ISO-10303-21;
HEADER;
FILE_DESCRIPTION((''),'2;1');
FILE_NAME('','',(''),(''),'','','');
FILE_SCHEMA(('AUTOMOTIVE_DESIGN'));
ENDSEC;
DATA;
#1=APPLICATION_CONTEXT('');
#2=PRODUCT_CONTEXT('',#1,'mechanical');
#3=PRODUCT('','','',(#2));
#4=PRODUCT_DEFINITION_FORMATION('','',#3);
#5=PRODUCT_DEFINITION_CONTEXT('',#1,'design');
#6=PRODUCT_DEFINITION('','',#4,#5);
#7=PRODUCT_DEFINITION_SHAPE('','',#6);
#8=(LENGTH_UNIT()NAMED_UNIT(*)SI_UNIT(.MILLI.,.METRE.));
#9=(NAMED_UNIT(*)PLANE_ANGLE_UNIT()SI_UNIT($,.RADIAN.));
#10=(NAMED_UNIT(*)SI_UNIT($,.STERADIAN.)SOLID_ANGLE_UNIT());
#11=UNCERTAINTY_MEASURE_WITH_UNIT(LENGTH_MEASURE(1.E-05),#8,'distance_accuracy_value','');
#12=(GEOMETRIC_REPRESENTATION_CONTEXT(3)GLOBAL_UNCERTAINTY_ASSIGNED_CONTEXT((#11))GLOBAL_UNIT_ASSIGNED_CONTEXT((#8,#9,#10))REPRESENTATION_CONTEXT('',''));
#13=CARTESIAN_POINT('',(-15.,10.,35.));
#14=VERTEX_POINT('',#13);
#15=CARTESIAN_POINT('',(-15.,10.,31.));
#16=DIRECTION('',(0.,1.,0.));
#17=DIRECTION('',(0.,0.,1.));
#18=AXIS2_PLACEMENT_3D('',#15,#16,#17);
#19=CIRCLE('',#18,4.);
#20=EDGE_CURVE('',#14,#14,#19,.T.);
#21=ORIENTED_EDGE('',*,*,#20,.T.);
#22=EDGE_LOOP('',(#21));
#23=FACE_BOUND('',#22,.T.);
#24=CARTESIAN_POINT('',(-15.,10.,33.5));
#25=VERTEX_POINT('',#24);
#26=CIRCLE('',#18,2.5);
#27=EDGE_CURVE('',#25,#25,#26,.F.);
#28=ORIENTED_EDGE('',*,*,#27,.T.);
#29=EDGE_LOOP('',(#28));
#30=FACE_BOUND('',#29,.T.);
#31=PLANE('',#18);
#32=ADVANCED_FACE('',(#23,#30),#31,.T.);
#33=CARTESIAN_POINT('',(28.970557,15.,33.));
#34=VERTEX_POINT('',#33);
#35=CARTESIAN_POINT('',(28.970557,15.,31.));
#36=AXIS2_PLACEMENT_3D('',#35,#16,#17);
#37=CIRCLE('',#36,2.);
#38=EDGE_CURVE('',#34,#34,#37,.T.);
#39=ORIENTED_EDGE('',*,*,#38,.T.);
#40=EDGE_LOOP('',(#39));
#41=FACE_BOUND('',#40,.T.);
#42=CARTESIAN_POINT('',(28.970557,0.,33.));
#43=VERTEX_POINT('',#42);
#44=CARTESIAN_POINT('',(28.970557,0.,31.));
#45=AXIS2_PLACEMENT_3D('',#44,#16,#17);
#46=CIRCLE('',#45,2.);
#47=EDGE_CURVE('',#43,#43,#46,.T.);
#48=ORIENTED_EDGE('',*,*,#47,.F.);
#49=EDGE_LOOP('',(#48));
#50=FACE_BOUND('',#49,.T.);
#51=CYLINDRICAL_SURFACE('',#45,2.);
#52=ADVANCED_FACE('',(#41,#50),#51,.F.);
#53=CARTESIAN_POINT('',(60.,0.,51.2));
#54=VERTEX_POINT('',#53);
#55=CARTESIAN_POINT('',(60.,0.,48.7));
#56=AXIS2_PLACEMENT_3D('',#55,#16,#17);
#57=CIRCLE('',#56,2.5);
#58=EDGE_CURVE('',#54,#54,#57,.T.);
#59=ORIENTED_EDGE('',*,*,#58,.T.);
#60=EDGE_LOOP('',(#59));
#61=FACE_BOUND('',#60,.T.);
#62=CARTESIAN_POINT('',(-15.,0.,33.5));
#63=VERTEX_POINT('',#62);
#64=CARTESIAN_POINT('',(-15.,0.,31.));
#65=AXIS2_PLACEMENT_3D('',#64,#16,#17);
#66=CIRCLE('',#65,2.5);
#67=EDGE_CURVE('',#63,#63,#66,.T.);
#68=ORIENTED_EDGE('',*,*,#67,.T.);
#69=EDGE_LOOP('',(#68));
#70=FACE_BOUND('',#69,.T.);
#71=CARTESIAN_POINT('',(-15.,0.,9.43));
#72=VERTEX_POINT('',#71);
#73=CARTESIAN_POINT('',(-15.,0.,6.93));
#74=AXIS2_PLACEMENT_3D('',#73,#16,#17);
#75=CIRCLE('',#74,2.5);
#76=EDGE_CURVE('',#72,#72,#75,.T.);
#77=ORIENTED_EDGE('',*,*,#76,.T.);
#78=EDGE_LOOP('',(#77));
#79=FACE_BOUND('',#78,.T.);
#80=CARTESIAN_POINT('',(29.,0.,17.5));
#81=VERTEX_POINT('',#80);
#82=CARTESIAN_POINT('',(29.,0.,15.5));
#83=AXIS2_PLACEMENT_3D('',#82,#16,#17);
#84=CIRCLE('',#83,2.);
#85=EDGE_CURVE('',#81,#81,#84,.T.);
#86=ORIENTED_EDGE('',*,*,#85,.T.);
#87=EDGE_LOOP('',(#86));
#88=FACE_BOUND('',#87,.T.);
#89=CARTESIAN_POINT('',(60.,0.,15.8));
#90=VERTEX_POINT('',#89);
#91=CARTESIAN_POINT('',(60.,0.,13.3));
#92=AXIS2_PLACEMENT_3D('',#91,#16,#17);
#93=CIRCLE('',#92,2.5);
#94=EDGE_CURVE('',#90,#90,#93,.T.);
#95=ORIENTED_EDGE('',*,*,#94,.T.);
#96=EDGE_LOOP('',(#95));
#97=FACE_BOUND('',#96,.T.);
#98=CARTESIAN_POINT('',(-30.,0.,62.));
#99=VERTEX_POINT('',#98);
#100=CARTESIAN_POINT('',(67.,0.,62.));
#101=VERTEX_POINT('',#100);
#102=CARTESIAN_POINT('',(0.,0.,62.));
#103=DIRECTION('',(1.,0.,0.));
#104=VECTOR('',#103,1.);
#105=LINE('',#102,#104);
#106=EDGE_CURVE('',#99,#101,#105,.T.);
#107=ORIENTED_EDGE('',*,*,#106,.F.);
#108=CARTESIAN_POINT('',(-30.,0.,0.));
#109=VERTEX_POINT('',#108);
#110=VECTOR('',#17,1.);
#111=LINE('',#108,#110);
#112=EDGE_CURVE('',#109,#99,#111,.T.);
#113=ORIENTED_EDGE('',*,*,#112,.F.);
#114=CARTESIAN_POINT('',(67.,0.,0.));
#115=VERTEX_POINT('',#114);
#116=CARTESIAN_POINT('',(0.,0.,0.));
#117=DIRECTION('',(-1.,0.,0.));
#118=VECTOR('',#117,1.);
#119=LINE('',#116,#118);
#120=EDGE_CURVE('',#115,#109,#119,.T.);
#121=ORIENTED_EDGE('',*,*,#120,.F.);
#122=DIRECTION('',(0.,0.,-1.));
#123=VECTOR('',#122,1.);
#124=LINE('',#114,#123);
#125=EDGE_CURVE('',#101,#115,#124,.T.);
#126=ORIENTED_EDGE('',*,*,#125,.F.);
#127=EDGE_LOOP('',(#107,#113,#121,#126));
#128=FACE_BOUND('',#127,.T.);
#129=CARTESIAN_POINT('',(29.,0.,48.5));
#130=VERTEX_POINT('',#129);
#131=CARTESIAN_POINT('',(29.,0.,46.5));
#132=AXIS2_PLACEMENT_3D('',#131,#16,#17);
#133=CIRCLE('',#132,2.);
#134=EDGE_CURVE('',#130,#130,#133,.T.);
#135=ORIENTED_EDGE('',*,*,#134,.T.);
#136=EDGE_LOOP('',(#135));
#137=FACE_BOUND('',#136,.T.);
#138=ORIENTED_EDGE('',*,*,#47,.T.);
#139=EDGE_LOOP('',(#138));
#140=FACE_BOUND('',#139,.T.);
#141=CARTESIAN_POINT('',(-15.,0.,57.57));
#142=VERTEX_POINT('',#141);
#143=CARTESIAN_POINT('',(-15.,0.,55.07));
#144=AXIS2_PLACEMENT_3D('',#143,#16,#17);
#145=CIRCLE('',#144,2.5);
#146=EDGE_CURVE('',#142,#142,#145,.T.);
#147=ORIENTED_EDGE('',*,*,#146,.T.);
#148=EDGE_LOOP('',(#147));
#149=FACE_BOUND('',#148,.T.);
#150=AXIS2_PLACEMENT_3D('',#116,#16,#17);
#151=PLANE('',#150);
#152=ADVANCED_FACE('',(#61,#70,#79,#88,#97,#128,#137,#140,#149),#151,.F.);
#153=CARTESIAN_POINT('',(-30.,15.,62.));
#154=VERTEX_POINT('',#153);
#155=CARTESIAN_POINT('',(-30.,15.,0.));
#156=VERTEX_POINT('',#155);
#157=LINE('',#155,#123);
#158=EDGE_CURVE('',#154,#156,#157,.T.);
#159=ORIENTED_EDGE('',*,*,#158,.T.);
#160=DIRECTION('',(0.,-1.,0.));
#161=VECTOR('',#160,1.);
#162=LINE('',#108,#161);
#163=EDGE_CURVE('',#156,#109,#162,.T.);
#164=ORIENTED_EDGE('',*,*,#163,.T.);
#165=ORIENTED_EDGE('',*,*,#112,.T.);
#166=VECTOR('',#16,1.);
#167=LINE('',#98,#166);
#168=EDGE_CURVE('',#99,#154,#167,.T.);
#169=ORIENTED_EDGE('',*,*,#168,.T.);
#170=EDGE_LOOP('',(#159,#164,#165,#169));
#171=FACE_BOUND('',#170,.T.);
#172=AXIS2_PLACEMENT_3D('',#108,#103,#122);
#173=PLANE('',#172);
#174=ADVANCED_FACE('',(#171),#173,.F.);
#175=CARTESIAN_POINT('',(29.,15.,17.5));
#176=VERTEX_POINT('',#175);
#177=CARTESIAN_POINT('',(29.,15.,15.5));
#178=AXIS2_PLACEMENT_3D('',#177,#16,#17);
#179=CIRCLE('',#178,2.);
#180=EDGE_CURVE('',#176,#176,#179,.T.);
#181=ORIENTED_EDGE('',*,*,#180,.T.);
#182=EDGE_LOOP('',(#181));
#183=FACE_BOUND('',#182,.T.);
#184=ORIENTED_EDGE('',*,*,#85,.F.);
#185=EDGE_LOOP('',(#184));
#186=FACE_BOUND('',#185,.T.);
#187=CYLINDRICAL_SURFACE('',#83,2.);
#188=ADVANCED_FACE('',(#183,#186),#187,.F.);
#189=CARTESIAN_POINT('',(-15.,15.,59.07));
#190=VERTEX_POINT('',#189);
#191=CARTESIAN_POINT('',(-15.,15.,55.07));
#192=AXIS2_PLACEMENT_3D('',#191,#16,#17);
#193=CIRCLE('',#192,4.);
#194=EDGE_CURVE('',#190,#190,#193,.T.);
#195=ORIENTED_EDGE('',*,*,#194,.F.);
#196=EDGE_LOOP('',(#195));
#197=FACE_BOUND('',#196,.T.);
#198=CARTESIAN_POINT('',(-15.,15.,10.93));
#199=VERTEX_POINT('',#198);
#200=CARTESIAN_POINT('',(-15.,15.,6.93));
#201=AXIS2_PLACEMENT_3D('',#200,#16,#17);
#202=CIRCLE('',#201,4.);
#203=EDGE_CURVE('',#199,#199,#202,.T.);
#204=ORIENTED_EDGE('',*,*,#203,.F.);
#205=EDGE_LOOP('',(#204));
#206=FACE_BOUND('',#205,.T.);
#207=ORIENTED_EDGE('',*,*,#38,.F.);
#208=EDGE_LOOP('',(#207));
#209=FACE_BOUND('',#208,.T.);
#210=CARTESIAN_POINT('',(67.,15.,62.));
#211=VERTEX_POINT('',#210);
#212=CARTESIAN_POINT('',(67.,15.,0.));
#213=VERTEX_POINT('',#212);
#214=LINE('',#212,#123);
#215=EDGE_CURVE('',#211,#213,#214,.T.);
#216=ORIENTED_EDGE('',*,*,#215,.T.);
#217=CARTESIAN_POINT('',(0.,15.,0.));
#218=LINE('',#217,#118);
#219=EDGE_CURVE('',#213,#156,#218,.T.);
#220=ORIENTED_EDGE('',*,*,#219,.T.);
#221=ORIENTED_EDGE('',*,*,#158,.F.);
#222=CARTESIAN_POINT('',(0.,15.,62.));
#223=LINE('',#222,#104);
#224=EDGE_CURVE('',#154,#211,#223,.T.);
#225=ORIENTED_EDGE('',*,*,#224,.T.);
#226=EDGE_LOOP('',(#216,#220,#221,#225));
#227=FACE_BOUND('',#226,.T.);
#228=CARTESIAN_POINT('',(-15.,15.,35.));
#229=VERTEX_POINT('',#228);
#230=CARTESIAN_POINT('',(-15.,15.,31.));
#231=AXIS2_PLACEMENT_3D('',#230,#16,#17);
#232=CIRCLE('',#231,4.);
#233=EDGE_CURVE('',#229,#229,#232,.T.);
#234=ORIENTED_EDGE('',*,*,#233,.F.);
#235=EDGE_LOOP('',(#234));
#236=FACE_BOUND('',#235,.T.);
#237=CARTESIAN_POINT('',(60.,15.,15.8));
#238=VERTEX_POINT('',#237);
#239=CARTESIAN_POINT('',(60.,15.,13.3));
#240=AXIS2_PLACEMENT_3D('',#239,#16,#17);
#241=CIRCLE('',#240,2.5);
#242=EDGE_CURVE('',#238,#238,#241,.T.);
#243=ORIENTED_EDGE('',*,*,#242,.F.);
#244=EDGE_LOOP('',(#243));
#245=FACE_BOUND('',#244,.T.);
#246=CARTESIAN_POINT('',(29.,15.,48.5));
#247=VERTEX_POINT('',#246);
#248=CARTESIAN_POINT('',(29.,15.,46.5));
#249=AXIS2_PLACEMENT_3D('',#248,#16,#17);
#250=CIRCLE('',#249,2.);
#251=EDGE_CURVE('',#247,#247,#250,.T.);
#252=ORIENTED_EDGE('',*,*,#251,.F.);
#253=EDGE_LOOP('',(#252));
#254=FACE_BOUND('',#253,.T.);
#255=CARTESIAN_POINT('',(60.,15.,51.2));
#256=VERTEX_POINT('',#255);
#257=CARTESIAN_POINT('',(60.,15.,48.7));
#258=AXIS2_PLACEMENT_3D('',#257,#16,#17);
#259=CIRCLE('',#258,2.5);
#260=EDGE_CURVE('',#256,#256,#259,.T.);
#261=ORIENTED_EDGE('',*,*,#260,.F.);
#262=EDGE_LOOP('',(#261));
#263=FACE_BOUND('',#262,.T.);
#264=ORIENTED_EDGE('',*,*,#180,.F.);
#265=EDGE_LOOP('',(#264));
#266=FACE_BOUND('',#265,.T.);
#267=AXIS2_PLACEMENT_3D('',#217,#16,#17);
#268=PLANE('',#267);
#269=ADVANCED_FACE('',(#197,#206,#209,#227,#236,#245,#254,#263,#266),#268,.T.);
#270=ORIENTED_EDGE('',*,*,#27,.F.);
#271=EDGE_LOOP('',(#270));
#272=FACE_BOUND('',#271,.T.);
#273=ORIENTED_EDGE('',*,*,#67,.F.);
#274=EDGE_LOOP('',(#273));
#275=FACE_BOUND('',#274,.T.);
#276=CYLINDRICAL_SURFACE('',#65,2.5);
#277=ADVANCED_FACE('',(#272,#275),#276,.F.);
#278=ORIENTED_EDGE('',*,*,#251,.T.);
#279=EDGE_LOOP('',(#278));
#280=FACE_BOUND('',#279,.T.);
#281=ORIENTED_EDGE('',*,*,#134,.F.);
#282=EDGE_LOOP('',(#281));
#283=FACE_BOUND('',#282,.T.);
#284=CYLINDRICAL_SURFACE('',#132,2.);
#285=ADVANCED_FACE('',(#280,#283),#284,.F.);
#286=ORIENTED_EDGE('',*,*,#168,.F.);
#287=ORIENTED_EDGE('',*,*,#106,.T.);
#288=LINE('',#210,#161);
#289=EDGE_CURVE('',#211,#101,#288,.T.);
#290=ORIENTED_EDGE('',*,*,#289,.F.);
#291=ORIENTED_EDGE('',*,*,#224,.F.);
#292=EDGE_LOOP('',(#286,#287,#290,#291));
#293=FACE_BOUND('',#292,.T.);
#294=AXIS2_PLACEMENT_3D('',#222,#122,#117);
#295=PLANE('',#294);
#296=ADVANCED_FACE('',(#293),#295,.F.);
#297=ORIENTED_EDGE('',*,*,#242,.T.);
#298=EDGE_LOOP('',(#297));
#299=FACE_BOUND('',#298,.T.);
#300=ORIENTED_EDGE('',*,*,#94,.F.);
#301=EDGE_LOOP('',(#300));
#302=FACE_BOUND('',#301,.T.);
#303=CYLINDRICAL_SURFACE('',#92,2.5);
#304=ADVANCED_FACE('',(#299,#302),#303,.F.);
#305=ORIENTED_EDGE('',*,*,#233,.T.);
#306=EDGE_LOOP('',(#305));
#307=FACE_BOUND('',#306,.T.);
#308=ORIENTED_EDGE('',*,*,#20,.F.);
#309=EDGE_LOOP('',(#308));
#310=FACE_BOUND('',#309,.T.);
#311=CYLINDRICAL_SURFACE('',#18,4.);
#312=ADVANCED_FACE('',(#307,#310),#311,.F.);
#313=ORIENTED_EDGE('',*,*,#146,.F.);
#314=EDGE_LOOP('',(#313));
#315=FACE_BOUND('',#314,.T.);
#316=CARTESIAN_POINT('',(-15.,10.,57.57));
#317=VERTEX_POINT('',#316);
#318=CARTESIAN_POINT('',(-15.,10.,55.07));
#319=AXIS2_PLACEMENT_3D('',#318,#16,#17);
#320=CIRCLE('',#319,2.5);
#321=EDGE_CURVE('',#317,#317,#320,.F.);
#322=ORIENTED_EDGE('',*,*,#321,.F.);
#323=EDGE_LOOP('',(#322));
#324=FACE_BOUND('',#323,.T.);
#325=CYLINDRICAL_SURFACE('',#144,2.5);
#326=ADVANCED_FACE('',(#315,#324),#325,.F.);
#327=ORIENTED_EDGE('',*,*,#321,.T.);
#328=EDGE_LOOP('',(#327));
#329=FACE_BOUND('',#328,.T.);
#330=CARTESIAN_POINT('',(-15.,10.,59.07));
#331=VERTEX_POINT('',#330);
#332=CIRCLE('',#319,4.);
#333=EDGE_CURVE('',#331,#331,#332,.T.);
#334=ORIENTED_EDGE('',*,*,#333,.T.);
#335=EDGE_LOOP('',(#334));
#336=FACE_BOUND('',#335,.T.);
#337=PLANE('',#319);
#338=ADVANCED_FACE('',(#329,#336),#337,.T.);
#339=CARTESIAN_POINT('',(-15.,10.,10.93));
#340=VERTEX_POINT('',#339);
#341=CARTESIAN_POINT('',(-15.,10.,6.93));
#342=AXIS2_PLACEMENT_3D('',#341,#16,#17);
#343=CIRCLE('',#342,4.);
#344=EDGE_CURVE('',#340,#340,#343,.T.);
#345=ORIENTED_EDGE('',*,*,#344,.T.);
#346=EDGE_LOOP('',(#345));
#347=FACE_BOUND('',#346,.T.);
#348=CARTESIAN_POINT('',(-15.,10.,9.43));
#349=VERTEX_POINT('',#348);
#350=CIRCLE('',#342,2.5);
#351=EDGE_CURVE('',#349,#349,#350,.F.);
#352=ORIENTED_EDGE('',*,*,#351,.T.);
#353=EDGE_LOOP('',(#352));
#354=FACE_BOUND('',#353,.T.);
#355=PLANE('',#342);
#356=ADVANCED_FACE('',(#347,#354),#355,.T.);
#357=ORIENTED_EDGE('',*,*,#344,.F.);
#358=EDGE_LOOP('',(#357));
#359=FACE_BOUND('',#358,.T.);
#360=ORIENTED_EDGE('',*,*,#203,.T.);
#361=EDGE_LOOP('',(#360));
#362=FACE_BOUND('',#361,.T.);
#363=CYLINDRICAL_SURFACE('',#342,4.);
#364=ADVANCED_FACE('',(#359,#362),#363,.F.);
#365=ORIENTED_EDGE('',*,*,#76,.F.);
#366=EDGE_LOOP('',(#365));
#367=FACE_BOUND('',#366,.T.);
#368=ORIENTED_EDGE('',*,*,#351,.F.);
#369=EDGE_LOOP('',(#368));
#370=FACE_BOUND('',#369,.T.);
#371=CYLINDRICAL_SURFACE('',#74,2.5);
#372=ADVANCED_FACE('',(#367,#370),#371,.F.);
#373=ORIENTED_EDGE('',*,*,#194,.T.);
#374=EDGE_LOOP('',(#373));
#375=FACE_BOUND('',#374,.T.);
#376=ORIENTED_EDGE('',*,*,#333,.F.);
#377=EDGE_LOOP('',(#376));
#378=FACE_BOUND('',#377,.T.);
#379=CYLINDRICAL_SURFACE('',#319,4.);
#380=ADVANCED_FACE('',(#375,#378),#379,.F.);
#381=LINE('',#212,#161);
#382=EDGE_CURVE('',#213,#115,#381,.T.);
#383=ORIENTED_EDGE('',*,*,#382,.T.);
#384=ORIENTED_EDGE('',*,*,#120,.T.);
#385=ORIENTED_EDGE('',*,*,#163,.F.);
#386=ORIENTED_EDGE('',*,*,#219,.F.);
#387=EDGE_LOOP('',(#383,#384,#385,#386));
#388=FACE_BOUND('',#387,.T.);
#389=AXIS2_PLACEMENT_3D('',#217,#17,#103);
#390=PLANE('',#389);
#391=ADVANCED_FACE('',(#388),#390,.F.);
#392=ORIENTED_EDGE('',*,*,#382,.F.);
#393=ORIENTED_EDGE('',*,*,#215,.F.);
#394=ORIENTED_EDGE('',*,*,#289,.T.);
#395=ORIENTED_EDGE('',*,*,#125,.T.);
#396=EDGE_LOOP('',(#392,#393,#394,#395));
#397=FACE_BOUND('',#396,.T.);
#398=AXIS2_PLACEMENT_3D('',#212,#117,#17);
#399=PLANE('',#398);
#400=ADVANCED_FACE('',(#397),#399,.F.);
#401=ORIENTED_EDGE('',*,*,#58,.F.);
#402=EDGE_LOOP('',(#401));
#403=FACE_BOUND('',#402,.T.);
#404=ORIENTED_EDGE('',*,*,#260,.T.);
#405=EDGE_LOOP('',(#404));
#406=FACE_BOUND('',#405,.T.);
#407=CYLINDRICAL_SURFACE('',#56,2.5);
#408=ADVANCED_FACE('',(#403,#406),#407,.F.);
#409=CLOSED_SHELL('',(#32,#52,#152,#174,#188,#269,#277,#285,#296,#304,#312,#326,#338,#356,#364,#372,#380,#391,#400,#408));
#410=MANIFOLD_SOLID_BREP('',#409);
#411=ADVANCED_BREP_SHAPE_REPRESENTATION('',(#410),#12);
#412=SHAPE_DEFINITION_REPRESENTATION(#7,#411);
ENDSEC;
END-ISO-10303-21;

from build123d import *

# Parameters (mm, degrees)
ESBO_O1_W                = 67
ESBO_O1_H                = 62
RESSALTO_EXTRUS_O1_DEPTH = 15
ESBO_O2_R                = 2.5
ESBO_O2_R_2              = 2
CORTE_EXTRUS_O1_DEPTH    = 93.509458976
ESBO_O3_W                = 62
ESBO_O3_H                = 15
RESSALTO_EXTRUS_O2_DEPTH = 30
ESBO_O4_R                = 2.5
CORTE_EXTRUS_O2_DEPTH    = 93.509458976
ESBO_O5_R                = 4
CORTE_EXTRUS_O3_DEPTH    = 5


with BuildPart() as part:
    # Esboço1 → Ressalto-extrusão1 (new body)
    with BuildSketch(Plane(origin=(0, 0, 0), x_dir=(1, 0, 0), z_dir=(0, 1, 0))):
        with Locations((33.5, -31)):
            Rectangle(ESBO_O1_W, ESBO_O1_H)
    extrude(amount=RESSALTO_EXTRUS_O1_DEPTH)

    # Esboço2 → Corte-extrusão1 (cut, through all)
    with BuildSketch(Plane(origin=(0, 15, 0), x_dir=(1, 0, 0), z_dir=(0, 1, 0))):
        with Locations(Location((60, -13.3, 0), (0, 0, 270))):
            Circle(ESBO_O2_R)
        with Locations(Location((60, -48.7, 0), (0, 0, 270))):
            Circle(ESBO_O2_R)
        with Locations(Location((29, -46.5, 0), (0, 0, 270))):
            Circle(ESBO_O2_R_2)
        with Locations(Location((28.970556633, -31, 0), (0, 0, 270))):
            Circle(ESBO_O2_R_2)
        with Locations(Location((29, -15.5, 0), (0, 0, 270))):
            Circle(ESBO_O2_R_2)
    extrude(amount=-CORTE_EXTRUS_O1_DEPTH, mode=Mode.SUBTRACT)

    # Esboço3 → Ressalto-extrusão2 (add)
    with BuildSketch(Plane.ZY):
        with Locations((31, 7.5)):
            Rectangle(ESBO_O3_W, ESBO_O3_H)
    extrude(amount=RESSALTO_EXTRUS_O2_DEPTH)

    # Esboço4 → Corte-extrusão2 (cut, through all)
    with BuildSketch(Plane(origin=(0, 15, 0), x_dir=(1, 0, 0), z_dir=(0, 1, 0))):
        with Locations(Location((-15, -31, 0), (0, 0, 270))):
            Circle(ESBO_O4_R)
        with Locations(Location((-15, -6.93, 0), (0, 0, 270))):
            Circle(ESBO_O4_R)
        with Locations(Location((-15, -55.07, 0), (0, 0, 270))):
            Circle(ESBO_O4_R)
    extrude(amount=-CORTE_EXTRUS_O2_DEPTH, mode=Mode.SUBTRACT)

    # Esboço5 → Corte-extrusão3 (cut)
    with BuildSketch(Plane(origin=(0, 15, 0), x_dir=(1, 0, 0), z_dir=(0, 1, 0))):
        with Locations(Location((-15, -6.93, 0), (0, 0, 270))):
            Circle(ESBO_O5_R)
        with Locations(Location((-15, -31, 0), (0, 0, 270))):
            Circle(ESBO_O5_R)
        with Locations(Location((-15, -55.07, 0), (0, 0, 270))):
            Circle(ESBO_O5_R)
    extrude(amount=-CORTE_EXTRUS_O3_DEPTH, mode=Mode.SUBTRACT)


solid = part.part
